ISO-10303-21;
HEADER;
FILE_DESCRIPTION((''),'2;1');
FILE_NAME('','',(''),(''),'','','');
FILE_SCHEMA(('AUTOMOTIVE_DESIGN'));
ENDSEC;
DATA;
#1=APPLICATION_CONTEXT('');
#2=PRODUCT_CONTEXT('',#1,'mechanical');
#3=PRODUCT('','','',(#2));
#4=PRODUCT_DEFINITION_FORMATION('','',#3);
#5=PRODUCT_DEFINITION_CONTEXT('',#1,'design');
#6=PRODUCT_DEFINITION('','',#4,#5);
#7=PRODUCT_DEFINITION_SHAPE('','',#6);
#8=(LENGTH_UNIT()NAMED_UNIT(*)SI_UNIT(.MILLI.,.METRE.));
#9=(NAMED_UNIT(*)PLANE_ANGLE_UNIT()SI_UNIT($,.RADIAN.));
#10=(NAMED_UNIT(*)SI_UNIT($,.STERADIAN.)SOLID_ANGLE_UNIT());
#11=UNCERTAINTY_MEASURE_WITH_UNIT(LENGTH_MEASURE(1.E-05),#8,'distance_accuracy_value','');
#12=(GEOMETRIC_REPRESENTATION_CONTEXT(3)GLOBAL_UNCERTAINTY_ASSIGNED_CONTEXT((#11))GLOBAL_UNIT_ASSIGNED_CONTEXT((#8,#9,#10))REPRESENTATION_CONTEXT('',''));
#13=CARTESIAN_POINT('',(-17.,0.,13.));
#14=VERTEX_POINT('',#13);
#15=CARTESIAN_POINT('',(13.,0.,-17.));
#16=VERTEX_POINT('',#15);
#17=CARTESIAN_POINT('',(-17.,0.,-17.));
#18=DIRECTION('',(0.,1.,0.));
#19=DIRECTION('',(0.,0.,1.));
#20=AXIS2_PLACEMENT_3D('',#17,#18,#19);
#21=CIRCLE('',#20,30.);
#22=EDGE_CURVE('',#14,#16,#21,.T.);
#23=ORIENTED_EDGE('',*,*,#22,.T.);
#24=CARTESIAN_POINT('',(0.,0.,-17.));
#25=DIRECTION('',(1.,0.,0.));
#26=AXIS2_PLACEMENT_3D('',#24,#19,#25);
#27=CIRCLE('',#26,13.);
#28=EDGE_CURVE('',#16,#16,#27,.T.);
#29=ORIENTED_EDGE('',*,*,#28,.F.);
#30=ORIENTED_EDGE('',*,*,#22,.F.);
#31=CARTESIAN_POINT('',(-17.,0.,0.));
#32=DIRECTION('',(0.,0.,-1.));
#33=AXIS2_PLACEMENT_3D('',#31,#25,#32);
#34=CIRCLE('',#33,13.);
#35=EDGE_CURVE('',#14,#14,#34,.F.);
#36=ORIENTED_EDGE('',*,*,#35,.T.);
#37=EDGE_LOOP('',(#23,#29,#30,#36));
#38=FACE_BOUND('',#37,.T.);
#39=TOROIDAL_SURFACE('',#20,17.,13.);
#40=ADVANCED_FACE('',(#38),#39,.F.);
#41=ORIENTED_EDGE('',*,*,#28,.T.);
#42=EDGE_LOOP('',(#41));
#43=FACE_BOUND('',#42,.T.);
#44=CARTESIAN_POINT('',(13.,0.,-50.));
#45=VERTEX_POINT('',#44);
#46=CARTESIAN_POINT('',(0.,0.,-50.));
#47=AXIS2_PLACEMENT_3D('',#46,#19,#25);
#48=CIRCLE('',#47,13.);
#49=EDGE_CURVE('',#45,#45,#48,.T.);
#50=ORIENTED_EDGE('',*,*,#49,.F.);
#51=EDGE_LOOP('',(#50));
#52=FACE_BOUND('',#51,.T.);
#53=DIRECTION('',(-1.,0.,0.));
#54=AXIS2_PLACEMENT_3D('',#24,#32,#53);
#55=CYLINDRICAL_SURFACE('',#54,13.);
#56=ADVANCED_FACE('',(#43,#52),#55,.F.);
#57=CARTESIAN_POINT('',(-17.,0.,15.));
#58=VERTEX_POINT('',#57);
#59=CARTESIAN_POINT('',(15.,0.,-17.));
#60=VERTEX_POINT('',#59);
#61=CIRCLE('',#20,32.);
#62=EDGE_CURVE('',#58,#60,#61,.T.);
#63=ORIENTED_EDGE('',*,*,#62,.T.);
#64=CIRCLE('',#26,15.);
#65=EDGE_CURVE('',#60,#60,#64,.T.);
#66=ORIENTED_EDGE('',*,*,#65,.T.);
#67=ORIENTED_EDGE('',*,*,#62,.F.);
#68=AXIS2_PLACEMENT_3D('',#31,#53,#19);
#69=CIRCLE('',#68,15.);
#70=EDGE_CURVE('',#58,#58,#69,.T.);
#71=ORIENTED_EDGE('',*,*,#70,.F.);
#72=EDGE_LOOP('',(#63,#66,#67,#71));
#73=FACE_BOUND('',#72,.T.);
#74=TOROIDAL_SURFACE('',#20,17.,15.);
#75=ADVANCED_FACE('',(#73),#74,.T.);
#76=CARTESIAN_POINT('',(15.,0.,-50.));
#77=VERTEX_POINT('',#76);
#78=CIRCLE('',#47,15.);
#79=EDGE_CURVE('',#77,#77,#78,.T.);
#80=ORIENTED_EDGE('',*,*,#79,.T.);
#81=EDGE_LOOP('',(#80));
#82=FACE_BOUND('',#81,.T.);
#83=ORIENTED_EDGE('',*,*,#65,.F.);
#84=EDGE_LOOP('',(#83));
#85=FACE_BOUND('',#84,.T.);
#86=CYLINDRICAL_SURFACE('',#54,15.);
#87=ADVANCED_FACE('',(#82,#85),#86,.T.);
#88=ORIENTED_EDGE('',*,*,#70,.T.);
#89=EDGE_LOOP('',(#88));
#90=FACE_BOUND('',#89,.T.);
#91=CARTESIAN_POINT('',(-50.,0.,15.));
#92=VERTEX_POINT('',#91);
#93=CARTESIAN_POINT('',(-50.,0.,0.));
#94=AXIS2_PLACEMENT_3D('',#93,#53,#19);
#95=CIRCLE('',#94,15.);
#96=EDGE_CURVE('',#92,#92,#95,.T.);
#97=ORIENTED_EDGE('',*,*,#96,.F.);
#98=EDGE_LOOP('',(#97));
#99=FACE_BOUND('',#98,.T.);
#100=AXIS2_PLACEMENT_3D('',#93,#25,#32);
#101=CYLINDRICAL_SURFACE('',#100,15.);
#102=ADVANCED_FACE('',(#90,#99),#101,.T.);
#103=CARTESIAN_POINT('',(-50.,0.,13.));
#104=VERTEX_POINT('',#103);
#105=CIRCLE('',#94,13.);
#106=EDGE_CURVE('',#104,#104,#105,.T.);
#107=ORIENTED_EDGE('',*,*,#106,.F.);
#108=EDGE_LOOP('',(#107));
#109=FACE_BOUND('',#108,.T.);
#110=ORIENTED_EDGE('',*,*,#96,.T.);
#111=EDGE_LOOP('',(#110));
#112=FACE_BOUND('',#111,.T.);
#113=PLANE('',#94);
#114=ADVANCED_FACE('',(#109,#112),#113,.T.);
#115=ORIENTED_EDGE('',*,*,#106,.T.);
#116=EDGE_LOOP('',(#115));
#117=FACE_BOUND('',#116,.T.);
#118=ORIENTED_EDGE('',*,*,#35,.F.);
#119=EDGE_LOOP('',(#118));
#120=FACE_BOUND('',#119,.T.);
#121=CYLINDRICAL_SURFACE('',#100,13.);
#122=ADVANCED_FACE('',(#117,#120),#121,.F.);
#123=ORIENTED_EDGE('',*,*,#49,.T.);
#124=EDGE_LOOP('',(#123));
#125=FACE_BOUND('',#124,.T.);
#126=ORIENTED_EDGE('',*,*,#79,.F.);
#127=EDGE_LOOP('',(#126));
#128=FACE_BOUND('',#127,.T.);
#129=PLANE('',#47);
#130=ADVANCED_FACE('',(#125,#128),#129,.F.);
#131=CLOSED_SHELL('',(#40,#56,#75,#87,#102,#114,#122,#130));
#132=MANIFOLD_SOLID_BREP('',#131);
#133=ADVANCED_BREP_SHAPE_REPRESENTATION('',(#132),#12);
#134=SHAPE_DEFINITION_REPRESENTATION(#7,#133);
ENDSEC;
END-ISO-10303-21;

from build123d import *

# Parameters (mm, degrees)
SWEEP1_PROFILE_R = 15
SHELL1_T         = -2


with BuildPart() as part:
    # Sweep1: sweep along a path in Sketch1
    with BuildLine(Plane(origin=(0, 0, 0), x_dir=(1, 0, 0), z_dir=(0, 1, 0))) as sweep1_path:
        Line((-50, 0), (-17, 0))
        ThreePointArc((-17, 0), (-4.97918472, 4.97918472), (0, 17))
        Line((0, 17), (0, 50))
    # Sweep1 profile (on start of the path) → Sweep1 (sweep)
    with BuildSketch(Plane(origin=(-50, 0, 0), x_dir=(0, 0, 1), z_dir=(1, 0, 0))):
        Circle(SWEEP1_PROFILE_R)
    sweep(path=sweep1_path.line)

    # Shell1
    shell1_openings = [part.faces().sort_by_distance(p)[0] for p in [
        (0, 0, -50),
        (-50, 0, 0),
    ]]
    offset(amount=SHELL1_T, openings=shell1_openings, kind=Kind.INTERSECTION)


solid = part.part
